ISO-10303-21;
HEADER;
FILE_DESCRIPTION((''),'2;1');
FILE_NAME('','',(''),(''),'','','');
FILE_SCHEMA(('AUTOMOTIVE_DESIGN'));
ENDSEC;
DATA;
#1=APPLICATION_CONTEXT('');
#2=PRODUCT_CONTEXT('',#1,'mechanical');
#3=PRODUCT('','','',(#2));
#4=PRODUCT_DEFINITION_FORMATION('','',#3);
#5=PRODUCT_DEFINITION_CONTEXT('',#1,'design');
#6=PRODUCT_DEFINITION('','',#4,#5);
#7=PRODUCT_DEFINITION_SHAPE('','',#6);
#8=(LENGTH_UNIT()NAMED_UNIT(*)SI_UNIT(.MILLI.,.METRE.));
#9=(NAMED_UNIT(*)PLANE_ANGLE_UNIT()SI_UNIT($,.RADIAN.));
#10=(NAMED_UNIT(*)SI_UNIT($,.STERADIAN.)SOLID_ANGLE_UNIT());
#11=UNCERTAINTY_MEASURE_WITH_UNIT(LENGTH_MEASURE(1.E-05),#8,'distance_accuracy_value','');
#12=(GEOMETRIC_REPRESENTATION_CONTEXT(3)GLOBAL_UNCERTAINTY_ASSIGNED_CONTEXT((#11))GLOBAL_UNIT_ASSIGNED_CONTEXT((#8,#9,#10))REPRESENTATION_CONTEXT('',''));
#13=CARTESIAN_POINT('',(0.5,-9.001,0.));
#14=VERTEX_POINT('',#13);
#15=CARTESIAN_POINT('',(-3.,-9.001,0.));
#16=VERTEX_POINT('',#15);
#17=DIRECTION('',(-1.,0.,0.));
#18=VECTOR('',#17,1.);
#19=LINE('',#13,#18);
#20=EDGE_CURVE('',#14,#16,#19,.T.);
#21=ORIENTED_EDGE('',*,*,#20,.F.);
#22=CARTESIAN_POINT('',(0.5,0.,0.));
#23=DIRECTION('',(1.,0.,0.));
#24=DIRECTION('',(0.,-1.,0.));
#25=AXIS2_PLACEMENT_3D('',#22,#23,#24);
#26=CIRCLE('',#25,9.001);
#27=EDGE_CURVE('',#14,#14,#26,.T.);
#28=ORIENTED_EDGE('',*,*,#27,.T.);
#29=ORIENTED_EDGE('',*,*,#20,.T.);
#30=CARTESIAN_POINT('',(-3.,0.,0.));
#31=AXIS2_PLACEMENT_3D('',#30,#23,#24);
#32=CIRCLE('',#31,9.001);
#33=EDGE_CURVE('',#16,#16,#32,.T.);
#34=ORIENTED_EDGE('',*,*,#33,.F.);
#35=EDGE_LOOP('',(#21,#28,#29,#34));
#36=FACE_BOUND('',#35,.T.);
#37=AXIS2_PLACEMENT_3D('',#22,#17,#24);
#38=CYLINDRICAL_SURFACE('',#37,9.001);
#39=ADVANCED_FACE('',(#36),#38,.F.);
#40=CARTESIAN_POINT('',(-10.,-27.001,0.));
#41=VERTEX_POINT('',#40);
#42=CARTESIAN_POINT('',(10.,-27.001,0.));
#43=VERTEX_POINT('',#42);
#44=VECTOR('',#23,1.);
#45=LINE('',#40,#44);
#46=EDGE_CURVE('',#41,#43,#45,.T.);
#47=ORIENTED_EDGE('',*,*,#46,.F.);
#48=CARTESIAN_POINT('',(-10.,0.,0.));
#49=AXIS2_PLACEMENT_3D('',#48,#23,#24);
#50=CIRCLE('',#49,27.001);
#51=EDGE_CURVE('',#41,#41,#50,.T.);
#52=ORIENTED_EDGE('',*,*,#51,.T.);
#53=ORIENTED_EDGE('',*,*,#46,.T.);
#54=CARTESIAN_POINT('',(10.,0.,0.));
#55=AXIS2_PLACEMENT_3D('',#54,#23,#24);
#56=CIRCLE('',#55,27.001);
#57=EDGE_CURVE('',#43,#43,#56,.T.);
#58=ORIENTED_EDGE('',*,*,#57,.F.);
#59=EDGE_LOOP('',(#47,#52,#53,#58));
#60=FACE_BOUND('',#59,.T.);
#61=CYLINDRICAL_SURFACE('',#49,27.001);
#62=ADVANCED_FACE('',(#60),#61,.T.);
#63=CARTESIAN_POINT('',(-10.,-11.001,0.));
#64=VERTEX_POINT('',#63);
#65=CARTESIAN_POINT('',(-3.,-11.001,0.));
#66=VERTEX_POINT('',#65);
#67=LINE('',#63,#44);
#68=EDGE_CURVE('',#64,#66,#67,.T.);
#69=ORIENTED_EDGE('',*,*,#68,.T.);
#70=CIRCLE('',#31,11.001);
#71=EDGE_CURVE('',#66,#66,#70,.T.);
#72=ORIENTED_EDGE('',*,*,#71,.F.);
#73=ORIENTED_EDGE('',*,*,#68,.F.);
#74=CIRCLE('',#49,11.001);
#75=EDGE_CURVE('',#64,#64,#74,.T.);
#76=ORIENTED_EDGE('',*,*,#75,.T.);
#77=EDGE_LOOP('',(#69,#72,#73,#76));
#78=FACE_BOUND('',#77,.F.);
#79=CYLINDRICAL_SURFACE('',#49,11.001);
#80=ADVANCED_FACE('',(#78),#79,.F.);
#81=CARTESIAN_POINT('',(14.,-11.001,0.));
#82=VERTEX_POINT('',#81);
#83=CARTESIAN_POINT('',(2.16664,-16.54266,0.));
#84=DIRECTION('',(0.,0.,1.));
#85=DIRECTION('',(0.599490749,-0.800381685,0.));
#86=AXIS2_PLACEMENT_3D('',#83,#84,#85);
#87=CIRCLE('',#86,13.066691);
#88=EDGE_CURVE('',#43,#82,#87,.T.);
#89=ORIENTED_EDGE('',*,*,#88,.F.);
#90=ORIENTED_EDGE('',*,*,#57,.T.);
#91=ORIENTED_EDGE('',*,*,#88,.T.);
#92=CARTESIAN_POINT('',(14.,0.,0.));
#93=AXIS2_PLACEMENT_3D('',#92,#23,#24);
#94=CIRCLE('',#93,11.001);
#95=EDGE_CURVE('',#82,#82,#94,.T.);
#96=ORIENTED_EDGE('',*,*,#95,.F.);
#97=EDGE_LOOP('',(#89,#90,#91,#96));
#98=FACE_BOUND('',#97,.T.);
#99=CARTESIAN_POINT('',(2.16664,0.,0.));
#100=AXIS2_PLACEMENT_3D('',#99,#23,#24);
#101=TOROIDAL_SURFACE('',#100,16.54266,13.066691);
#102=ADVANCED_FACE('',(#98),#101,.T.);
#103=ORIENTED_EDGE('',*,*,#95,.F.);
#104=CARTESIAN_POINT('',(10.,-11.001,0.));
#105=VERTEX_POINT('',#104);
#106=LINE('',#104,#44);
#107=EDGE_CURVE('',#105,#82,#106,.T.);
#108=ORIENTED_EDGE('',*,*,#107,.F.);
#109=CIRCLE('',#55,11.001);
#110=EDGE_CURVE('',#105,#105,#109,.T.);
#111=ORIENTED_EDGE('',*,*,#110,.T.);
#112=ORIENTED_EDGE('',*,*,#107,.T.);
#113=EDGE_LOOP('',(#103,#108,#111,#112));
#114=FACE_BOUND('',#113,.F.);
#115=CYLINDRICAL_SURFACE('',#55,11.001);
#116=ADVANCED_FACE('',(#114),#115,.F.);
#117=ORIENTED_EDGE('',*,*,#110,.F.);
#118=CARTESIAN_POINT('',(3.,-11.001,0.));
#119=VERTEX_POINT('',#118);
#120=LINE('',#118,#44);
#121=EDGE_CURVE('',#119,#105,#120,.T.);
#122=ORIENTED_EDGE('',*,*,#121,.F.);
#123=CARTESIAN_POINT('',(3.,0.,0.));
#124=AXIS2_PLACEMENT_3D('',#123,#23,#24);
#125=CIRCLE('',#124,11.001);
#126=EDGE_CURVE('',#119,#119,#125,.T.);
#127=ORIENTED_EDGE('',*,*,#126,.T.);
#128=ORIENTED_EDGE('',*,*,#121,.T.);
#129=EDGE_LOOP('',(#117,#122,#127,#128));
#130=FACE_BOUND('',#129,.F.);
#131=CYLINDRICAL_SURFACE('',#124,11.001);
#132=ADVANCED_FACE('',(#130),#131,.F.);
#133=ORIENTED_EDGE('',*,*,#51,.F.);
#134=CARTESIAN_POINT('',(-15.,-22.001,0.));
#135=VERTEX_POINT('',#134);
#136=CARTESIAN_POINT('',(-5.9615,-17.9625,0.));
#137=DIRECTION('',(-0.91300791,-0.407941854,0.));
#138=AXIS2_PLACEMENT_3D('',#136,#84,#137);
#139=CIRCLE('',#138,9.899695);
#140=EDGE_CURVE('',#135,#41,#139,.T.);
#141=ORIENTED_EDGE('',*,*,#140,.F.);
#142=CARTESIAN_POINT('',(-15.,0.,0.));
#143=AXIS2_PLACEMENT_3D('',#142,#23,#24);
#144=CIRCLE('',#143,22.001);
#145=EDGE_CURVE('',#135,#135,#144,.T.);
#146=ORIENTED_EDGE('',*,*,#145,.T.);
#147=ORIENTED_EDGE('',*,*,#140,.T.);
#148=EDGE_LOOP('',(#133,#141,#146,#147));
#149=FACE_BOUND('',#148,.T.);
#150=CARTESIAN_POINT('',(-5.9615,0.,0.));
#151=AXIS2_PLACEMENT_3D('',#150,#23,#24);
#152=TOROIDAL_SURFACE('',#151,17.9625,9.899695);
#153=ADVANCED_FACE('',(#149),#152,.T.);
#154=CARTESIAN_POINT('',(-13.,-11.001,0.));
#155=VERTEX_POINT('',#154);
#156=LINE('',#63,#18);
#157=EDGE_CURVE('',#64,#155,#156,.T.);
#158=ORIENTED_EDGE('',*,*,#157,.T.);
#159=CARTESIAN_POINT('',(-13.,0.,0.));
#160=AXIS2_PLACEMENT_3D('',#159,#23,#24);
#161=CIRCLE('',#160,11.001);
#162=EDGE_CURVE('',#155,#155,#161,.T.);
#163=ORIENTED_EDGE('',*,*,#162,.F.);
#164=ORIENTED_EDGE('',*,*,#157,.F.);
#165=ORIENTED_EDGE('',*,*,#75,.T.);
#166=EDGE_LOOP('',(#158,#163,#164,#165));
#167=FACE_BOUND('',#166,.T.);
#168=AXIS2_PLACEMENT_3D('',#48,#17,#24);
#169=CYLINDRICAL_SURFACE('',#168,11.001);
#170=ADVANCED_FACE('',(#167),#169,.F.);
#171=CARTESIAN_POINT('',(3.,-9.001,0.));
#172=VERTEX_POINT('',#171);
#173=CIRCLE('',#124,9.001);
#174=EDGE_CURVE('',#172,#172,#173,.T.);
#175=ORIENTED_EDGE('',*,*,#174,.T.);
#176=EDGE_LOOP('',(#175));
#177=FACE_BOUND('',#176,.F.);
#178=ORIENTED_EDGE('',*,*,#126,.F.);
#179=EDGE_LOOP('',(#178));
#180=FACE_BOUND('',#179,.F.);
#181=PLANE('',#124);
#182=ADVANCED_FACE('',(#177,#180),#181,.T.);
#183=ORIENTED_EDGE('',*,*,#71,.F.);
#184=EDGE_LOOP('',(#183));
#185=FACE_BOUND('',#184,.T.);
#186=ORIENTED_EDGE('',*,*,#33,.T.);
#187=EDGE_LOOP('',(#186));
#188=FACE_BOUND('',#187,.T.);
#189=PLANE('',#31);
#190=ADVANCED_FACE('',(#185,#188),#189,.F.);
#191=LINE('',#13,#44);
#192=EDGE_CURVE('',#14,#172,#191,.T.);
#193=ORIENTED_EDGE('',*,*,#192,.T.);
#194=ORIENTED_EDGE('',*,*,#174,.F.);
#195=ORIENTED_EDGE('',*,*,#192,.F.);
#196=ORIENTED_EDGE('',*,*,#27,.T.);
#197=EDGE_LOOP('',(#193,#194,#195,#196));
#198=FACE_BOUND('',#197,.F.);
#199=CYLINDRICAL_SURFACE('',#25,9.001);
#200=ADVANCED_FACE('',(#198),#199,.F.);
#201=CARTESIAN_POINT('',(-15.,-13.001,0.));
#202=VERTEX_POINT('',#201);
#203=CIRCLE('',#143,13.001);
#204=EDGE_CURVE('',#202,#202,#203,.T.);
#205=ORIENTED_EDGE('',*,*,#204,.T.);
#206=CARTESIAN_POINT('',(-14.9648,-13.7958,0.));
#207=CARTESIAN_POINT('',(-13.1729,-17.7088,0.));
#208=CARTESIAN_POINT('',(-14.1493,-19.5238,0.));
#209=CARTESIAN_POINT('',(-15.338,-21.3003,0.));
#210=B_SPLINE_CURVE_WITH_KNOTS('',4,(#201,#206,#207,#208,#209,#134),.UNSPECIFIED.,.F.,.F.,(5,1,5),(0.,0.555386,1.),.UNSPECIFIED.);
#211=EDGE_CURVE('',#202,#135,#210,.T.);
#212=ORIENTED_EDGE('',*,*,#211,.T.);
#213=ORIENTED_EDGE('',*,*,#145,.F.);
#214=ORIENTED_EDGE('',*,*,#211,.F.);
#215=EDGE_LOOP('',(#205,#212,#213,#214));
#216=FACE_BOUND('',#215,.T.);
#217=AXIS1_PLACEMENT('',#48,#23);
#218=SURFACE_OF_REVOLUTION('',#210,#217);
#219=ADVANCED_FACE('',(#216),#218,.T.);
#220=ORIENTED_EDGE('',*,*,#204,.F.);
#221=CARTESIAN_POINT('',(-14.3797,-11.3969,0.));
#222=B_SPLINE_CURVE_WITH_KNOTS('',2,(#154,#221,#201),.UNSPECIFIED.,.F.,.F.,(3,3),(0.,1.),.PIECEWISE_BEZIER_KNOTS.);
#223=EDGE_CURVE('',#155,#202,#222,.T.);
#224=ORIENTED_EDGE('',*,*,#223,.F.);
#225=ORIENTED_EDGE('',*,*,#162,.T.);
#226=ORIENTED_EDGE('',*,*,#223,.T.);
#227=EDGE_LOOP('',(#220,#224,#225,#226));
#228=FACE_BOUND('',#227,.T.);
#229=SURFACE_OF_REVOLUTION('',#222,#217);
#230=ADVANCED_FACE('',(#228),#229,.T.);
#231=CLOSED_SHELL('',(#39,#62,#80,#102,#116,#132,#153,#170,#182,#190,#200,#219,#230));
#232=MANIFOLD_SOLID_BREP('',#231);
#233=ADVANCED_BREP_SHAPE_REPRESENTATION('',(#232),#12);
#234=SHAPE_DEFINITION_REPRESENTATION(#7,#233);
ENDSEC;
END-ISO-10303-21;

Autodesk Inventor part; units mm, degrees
ref_plane "YZ Plane" through (0, 0, 0) normal (1, 0, 0) x (0, 1, 0)
ref_plane "XZ Plane" through (0, 0, 0) normal (0, 1, 0) x (-1, 0, 0)
ref_plane "XY Plane" through (0, 0, 0) normal (0, 0, 1) x (1, 0, 0)
sketch "Sketch1" plane through (0, 0, 0) normal (0, 0, 1) x (1, 0, 0)
  line L0 (0, -27.001) -> (0, -11.001) construction
  line L1 (-10, -27.001) -> (10, -27.001)
  line L2 (-10, -11.001) -> (-3, -11.001)
  line L3 (10, -11.001) -> (10, -27.001) construction
  line L4 (-10, -27.001) -> (-15, -27.001) construction
  line L5 (-15, -27.001) -> (-15, -22.001) construction
  line L6 (-10, -11.001) -> (-13, -11.001)
  arc A0 (-15, -22.001) -> (-10, -27.001) centre (-5.9615, -17.9625) ccw
  line L7 (-13, -11.001) -> (-15, -11.001) construction
  line L8 (-15, -11.001) -> (-15, -13.001) construction
  spline S0 degree 2 poles (-13, -11.001) (-14.3797, -11.3969) (-15, -13.001) knots 0 0 0 1 1 1
  spline S1 degree 4 poles (-15, -13.001) (-14.9648, -13.7958) (-13.1729, -17.7088) (-14.1493, -19.5238) (-15.338, -21.3003) (-15, -22.001) knots 0 0 0 0 0 0.555386 1 1 1 1 1
  line L9 (10, -11.001) -> (14, -11.001)
  line L10 (10, -19.001) -> (15, -19.001) construction
  arc A1 (10, -27.001) -> (14, -11.001) centre (2.1667, -16.5427) ccw
  line L11 (0, 0) -> (0, -11.001) construction
  line L12 (-21.9226, 0) -> (23.3042, 0) projected
  line L13 (0, -11.001) -> (0.5, -11.001) construction
  line L14 (0.5, -11.001) -> (0.5, 0) construction
  line L15 (0.5, -11.001) -> (0.5, -9.001) construction
  line L16 (0.5, -9.001) -> (3, -9.001)
  line L17 (0.5, -9.001) -> (-3, -9.001)
  line L18 (3, -9.001) -> (3, -11.001)
  line L19 (-3, -9.001) -> (-3, -11.001)
  line L20 (0, -11.001) -> (3, -11.001) construction
  line L21 (3, -11.001) -> (10, -11.001)
  line L22 (-3, -11.001) -> (0, -11.001) construction
  point P0 (-14.1392, -11.6496)
  point P1 (-14.4314, -15.1293)
  point P2 (-14.4314, -19.7118)
  point P3 (-15, -21.0187)
  point P4 (-14, -17.9625)
  dimension "d1" = 16
  dimension "d3" = 20
  dimension "d4" = 20
  dimension "d17" = 5
  dimension "d18" = 5
  dimension "d20" = 3
  dimension "d21" = 2
  dimension "d22" = 2
  dimension "d23" = 4
  dimension "d24" = 5
  dimension "d25" = 11.001
  dimension "d26" = 14
  dimension "d28" = 13
  dimension "d29" = 0.5
  dimension "d30" = 2
  dimension "d31" = 2.5
  dimension "d32" = 3.5
revolve "Revolution1" add sketch "Sketch1" angle 360 about axis through (-10, 0, 0) along (1, 0, 0)
properties part number "Wheels 54mm cut"
